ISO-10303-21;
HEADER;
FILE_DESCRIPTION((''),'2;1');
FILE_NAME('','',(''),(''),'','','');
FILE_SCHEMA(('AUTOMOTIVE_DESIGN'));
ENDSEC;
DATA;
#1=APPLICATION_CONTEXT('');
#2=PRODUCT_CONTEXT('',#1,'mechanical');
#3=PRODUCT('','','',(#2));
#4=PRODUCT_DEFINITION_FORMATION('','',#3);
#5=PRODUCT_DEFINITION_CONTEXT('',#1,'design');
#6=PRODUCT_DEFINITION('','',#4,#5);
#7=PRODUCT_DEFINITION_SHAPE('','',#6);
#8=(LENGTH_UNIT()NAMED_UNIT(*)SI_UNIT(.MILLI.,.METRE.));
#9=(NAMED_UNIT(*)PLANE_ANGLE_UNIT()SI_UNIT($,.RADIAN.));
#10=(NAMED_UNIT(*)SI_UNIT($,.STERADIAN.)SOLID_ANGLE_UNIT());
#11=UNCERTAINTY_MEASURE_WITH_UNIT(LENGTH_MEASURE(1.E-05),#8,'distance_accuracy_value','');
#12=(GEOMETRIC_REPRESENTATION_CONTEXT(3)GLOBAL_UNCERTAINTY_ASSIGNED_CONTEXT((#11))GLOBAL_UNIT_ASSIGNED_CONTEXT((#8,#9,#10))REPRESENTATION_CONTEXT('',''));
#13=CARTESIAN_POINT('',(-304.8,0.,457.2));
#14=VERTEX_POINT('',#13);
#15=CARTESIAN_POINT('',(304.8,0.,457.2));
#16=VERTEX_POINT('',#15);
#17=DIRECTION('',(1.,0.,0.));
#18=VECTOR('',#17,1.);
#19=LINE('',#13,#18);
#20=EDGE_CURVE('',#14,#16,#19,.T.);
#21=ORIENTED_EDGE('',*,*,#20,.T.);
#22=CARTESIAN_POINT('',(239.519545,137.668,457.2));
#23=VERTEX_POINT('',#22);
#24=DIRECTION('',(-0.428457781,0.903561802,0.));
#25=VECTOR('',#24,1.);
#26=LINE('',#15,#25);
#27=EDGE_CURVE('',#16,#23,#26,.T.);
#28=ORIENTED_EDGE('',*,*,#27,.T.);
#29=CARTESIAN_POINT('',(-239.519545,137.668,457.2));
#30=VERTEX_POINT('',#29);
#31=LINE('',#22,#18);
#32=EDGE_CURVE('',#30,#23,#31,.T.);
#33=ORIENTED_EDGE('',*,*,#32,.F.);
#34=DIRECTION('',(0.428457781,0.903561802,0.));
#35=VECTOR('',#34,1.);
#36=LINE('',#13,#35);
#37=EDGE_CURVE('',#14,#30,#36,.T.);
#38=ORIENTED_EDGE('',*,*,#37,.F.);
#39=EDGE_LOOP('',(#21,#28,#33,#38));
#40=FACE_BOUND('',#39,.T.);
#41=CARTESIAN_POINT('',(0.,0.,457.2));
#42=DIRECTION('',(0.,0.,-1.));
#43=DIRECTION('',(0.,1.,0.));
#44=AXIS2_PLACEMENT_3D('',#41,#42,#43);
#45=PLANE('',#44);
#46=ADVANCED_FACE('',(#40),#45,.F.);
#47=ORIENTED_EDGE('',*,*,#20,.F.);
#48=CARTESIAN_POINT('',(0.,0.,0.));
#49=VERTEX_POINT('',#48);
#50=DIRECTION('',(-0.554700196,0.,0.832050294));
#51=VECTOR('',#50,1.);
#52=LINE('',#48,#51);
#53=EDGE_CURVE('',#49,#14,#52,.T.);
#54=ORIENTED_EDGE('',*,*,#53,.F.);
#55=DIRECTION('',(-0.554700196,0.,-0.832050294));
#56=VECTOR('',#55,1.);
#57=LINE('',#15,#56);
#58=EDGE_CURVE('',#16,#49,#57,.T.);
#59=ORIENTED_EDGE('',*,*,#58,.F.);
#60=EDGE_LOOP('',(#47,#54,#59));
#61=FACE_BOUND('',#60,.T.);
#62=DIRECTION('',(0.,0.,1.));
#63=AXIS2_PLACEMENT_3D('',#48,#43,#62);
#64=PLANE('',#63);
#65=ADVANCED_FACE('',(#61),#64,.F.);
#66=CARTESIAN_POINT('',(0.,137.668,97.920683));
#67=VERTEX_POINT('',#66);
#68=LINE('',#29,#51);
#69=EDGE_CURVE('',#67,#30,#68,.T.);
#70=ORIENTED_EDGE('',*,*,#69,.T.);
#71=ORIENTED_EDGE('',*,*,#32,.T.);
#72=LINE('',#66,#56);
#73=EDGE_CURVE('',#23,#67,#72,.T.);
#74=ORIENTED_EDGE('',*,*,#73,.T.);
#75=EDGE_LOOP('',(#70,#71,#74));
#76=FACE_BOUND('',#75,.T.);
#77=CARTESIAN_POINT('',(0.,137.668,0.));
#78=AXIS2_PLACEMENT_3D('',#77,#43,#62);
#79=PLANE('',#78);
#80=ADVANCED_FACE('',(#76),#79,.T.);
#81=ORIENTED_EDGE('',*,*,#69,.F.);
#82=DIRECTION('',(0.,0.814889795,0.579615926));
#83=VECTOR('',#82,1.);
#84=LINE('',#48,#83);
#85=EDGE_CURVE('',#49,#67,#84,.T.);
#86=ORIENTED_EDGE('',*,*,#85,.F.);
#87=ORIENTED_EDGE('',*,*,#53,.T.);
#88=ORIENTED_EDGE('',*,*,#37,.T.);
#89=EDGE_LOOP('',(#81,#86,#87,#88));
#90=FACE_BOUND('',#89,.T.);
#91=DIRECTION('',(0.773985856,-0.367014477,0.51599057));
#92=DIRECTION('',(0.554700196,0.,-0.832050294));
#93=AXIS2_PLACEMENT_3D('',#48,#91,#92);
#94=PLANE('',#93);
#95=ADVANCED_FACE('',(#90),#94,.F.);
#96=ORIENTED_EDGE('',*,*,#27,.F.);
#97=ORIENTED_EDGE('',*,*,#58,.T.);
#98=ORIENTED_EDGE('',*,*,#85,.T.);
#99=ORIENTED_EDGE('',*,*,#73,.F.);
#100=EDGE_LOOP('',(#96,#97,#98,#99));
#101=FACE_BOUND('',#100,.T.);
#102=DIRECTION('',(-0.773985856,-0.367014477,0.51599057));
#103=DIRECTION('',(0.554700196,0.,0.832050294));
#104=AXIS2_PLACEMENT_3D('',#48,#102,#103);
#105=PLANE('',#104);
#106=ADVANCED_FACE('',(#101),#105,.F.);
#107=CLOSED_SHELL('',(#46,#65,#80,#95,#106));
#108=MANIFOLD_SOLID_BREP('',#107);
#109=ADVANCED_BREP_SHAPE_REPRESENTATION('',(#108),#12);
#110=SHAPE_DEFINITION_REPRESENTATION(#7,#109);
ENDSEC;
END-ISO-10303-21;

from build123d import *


with BuildPart() as part:
    # Sketch1 → Loft1 section 0
    with BuildSketch(Plane(origin=(0, 0, 0), x_dir=(1, 0, 0), z_dir=(0, 1, 0))):
        with BuildLine():
            Line((0, 0), (-304.8, -457.2))
            Line((-304.8, -457.2), (304.8, -457.2))
            Line((304.8, -457.2), (0, 0))
        make_face()
    # Sketch2 → Loft1 section 1
    with BuildSketch(Plane(origin=(0, 137.668, 0), x_dir=(1, 0, 0), z_dir=(0, 1, 0))):
        with BuildLine():
            Line((239.51954473, -457.2), (-239.51954473, -457.2))
            Line((-239.51954473, -457.2), (0, -97.920682905))
            Line((0, -97.920682905), (239.51954473, -457.2))
        make_face()
    loft()


solid = part.part
